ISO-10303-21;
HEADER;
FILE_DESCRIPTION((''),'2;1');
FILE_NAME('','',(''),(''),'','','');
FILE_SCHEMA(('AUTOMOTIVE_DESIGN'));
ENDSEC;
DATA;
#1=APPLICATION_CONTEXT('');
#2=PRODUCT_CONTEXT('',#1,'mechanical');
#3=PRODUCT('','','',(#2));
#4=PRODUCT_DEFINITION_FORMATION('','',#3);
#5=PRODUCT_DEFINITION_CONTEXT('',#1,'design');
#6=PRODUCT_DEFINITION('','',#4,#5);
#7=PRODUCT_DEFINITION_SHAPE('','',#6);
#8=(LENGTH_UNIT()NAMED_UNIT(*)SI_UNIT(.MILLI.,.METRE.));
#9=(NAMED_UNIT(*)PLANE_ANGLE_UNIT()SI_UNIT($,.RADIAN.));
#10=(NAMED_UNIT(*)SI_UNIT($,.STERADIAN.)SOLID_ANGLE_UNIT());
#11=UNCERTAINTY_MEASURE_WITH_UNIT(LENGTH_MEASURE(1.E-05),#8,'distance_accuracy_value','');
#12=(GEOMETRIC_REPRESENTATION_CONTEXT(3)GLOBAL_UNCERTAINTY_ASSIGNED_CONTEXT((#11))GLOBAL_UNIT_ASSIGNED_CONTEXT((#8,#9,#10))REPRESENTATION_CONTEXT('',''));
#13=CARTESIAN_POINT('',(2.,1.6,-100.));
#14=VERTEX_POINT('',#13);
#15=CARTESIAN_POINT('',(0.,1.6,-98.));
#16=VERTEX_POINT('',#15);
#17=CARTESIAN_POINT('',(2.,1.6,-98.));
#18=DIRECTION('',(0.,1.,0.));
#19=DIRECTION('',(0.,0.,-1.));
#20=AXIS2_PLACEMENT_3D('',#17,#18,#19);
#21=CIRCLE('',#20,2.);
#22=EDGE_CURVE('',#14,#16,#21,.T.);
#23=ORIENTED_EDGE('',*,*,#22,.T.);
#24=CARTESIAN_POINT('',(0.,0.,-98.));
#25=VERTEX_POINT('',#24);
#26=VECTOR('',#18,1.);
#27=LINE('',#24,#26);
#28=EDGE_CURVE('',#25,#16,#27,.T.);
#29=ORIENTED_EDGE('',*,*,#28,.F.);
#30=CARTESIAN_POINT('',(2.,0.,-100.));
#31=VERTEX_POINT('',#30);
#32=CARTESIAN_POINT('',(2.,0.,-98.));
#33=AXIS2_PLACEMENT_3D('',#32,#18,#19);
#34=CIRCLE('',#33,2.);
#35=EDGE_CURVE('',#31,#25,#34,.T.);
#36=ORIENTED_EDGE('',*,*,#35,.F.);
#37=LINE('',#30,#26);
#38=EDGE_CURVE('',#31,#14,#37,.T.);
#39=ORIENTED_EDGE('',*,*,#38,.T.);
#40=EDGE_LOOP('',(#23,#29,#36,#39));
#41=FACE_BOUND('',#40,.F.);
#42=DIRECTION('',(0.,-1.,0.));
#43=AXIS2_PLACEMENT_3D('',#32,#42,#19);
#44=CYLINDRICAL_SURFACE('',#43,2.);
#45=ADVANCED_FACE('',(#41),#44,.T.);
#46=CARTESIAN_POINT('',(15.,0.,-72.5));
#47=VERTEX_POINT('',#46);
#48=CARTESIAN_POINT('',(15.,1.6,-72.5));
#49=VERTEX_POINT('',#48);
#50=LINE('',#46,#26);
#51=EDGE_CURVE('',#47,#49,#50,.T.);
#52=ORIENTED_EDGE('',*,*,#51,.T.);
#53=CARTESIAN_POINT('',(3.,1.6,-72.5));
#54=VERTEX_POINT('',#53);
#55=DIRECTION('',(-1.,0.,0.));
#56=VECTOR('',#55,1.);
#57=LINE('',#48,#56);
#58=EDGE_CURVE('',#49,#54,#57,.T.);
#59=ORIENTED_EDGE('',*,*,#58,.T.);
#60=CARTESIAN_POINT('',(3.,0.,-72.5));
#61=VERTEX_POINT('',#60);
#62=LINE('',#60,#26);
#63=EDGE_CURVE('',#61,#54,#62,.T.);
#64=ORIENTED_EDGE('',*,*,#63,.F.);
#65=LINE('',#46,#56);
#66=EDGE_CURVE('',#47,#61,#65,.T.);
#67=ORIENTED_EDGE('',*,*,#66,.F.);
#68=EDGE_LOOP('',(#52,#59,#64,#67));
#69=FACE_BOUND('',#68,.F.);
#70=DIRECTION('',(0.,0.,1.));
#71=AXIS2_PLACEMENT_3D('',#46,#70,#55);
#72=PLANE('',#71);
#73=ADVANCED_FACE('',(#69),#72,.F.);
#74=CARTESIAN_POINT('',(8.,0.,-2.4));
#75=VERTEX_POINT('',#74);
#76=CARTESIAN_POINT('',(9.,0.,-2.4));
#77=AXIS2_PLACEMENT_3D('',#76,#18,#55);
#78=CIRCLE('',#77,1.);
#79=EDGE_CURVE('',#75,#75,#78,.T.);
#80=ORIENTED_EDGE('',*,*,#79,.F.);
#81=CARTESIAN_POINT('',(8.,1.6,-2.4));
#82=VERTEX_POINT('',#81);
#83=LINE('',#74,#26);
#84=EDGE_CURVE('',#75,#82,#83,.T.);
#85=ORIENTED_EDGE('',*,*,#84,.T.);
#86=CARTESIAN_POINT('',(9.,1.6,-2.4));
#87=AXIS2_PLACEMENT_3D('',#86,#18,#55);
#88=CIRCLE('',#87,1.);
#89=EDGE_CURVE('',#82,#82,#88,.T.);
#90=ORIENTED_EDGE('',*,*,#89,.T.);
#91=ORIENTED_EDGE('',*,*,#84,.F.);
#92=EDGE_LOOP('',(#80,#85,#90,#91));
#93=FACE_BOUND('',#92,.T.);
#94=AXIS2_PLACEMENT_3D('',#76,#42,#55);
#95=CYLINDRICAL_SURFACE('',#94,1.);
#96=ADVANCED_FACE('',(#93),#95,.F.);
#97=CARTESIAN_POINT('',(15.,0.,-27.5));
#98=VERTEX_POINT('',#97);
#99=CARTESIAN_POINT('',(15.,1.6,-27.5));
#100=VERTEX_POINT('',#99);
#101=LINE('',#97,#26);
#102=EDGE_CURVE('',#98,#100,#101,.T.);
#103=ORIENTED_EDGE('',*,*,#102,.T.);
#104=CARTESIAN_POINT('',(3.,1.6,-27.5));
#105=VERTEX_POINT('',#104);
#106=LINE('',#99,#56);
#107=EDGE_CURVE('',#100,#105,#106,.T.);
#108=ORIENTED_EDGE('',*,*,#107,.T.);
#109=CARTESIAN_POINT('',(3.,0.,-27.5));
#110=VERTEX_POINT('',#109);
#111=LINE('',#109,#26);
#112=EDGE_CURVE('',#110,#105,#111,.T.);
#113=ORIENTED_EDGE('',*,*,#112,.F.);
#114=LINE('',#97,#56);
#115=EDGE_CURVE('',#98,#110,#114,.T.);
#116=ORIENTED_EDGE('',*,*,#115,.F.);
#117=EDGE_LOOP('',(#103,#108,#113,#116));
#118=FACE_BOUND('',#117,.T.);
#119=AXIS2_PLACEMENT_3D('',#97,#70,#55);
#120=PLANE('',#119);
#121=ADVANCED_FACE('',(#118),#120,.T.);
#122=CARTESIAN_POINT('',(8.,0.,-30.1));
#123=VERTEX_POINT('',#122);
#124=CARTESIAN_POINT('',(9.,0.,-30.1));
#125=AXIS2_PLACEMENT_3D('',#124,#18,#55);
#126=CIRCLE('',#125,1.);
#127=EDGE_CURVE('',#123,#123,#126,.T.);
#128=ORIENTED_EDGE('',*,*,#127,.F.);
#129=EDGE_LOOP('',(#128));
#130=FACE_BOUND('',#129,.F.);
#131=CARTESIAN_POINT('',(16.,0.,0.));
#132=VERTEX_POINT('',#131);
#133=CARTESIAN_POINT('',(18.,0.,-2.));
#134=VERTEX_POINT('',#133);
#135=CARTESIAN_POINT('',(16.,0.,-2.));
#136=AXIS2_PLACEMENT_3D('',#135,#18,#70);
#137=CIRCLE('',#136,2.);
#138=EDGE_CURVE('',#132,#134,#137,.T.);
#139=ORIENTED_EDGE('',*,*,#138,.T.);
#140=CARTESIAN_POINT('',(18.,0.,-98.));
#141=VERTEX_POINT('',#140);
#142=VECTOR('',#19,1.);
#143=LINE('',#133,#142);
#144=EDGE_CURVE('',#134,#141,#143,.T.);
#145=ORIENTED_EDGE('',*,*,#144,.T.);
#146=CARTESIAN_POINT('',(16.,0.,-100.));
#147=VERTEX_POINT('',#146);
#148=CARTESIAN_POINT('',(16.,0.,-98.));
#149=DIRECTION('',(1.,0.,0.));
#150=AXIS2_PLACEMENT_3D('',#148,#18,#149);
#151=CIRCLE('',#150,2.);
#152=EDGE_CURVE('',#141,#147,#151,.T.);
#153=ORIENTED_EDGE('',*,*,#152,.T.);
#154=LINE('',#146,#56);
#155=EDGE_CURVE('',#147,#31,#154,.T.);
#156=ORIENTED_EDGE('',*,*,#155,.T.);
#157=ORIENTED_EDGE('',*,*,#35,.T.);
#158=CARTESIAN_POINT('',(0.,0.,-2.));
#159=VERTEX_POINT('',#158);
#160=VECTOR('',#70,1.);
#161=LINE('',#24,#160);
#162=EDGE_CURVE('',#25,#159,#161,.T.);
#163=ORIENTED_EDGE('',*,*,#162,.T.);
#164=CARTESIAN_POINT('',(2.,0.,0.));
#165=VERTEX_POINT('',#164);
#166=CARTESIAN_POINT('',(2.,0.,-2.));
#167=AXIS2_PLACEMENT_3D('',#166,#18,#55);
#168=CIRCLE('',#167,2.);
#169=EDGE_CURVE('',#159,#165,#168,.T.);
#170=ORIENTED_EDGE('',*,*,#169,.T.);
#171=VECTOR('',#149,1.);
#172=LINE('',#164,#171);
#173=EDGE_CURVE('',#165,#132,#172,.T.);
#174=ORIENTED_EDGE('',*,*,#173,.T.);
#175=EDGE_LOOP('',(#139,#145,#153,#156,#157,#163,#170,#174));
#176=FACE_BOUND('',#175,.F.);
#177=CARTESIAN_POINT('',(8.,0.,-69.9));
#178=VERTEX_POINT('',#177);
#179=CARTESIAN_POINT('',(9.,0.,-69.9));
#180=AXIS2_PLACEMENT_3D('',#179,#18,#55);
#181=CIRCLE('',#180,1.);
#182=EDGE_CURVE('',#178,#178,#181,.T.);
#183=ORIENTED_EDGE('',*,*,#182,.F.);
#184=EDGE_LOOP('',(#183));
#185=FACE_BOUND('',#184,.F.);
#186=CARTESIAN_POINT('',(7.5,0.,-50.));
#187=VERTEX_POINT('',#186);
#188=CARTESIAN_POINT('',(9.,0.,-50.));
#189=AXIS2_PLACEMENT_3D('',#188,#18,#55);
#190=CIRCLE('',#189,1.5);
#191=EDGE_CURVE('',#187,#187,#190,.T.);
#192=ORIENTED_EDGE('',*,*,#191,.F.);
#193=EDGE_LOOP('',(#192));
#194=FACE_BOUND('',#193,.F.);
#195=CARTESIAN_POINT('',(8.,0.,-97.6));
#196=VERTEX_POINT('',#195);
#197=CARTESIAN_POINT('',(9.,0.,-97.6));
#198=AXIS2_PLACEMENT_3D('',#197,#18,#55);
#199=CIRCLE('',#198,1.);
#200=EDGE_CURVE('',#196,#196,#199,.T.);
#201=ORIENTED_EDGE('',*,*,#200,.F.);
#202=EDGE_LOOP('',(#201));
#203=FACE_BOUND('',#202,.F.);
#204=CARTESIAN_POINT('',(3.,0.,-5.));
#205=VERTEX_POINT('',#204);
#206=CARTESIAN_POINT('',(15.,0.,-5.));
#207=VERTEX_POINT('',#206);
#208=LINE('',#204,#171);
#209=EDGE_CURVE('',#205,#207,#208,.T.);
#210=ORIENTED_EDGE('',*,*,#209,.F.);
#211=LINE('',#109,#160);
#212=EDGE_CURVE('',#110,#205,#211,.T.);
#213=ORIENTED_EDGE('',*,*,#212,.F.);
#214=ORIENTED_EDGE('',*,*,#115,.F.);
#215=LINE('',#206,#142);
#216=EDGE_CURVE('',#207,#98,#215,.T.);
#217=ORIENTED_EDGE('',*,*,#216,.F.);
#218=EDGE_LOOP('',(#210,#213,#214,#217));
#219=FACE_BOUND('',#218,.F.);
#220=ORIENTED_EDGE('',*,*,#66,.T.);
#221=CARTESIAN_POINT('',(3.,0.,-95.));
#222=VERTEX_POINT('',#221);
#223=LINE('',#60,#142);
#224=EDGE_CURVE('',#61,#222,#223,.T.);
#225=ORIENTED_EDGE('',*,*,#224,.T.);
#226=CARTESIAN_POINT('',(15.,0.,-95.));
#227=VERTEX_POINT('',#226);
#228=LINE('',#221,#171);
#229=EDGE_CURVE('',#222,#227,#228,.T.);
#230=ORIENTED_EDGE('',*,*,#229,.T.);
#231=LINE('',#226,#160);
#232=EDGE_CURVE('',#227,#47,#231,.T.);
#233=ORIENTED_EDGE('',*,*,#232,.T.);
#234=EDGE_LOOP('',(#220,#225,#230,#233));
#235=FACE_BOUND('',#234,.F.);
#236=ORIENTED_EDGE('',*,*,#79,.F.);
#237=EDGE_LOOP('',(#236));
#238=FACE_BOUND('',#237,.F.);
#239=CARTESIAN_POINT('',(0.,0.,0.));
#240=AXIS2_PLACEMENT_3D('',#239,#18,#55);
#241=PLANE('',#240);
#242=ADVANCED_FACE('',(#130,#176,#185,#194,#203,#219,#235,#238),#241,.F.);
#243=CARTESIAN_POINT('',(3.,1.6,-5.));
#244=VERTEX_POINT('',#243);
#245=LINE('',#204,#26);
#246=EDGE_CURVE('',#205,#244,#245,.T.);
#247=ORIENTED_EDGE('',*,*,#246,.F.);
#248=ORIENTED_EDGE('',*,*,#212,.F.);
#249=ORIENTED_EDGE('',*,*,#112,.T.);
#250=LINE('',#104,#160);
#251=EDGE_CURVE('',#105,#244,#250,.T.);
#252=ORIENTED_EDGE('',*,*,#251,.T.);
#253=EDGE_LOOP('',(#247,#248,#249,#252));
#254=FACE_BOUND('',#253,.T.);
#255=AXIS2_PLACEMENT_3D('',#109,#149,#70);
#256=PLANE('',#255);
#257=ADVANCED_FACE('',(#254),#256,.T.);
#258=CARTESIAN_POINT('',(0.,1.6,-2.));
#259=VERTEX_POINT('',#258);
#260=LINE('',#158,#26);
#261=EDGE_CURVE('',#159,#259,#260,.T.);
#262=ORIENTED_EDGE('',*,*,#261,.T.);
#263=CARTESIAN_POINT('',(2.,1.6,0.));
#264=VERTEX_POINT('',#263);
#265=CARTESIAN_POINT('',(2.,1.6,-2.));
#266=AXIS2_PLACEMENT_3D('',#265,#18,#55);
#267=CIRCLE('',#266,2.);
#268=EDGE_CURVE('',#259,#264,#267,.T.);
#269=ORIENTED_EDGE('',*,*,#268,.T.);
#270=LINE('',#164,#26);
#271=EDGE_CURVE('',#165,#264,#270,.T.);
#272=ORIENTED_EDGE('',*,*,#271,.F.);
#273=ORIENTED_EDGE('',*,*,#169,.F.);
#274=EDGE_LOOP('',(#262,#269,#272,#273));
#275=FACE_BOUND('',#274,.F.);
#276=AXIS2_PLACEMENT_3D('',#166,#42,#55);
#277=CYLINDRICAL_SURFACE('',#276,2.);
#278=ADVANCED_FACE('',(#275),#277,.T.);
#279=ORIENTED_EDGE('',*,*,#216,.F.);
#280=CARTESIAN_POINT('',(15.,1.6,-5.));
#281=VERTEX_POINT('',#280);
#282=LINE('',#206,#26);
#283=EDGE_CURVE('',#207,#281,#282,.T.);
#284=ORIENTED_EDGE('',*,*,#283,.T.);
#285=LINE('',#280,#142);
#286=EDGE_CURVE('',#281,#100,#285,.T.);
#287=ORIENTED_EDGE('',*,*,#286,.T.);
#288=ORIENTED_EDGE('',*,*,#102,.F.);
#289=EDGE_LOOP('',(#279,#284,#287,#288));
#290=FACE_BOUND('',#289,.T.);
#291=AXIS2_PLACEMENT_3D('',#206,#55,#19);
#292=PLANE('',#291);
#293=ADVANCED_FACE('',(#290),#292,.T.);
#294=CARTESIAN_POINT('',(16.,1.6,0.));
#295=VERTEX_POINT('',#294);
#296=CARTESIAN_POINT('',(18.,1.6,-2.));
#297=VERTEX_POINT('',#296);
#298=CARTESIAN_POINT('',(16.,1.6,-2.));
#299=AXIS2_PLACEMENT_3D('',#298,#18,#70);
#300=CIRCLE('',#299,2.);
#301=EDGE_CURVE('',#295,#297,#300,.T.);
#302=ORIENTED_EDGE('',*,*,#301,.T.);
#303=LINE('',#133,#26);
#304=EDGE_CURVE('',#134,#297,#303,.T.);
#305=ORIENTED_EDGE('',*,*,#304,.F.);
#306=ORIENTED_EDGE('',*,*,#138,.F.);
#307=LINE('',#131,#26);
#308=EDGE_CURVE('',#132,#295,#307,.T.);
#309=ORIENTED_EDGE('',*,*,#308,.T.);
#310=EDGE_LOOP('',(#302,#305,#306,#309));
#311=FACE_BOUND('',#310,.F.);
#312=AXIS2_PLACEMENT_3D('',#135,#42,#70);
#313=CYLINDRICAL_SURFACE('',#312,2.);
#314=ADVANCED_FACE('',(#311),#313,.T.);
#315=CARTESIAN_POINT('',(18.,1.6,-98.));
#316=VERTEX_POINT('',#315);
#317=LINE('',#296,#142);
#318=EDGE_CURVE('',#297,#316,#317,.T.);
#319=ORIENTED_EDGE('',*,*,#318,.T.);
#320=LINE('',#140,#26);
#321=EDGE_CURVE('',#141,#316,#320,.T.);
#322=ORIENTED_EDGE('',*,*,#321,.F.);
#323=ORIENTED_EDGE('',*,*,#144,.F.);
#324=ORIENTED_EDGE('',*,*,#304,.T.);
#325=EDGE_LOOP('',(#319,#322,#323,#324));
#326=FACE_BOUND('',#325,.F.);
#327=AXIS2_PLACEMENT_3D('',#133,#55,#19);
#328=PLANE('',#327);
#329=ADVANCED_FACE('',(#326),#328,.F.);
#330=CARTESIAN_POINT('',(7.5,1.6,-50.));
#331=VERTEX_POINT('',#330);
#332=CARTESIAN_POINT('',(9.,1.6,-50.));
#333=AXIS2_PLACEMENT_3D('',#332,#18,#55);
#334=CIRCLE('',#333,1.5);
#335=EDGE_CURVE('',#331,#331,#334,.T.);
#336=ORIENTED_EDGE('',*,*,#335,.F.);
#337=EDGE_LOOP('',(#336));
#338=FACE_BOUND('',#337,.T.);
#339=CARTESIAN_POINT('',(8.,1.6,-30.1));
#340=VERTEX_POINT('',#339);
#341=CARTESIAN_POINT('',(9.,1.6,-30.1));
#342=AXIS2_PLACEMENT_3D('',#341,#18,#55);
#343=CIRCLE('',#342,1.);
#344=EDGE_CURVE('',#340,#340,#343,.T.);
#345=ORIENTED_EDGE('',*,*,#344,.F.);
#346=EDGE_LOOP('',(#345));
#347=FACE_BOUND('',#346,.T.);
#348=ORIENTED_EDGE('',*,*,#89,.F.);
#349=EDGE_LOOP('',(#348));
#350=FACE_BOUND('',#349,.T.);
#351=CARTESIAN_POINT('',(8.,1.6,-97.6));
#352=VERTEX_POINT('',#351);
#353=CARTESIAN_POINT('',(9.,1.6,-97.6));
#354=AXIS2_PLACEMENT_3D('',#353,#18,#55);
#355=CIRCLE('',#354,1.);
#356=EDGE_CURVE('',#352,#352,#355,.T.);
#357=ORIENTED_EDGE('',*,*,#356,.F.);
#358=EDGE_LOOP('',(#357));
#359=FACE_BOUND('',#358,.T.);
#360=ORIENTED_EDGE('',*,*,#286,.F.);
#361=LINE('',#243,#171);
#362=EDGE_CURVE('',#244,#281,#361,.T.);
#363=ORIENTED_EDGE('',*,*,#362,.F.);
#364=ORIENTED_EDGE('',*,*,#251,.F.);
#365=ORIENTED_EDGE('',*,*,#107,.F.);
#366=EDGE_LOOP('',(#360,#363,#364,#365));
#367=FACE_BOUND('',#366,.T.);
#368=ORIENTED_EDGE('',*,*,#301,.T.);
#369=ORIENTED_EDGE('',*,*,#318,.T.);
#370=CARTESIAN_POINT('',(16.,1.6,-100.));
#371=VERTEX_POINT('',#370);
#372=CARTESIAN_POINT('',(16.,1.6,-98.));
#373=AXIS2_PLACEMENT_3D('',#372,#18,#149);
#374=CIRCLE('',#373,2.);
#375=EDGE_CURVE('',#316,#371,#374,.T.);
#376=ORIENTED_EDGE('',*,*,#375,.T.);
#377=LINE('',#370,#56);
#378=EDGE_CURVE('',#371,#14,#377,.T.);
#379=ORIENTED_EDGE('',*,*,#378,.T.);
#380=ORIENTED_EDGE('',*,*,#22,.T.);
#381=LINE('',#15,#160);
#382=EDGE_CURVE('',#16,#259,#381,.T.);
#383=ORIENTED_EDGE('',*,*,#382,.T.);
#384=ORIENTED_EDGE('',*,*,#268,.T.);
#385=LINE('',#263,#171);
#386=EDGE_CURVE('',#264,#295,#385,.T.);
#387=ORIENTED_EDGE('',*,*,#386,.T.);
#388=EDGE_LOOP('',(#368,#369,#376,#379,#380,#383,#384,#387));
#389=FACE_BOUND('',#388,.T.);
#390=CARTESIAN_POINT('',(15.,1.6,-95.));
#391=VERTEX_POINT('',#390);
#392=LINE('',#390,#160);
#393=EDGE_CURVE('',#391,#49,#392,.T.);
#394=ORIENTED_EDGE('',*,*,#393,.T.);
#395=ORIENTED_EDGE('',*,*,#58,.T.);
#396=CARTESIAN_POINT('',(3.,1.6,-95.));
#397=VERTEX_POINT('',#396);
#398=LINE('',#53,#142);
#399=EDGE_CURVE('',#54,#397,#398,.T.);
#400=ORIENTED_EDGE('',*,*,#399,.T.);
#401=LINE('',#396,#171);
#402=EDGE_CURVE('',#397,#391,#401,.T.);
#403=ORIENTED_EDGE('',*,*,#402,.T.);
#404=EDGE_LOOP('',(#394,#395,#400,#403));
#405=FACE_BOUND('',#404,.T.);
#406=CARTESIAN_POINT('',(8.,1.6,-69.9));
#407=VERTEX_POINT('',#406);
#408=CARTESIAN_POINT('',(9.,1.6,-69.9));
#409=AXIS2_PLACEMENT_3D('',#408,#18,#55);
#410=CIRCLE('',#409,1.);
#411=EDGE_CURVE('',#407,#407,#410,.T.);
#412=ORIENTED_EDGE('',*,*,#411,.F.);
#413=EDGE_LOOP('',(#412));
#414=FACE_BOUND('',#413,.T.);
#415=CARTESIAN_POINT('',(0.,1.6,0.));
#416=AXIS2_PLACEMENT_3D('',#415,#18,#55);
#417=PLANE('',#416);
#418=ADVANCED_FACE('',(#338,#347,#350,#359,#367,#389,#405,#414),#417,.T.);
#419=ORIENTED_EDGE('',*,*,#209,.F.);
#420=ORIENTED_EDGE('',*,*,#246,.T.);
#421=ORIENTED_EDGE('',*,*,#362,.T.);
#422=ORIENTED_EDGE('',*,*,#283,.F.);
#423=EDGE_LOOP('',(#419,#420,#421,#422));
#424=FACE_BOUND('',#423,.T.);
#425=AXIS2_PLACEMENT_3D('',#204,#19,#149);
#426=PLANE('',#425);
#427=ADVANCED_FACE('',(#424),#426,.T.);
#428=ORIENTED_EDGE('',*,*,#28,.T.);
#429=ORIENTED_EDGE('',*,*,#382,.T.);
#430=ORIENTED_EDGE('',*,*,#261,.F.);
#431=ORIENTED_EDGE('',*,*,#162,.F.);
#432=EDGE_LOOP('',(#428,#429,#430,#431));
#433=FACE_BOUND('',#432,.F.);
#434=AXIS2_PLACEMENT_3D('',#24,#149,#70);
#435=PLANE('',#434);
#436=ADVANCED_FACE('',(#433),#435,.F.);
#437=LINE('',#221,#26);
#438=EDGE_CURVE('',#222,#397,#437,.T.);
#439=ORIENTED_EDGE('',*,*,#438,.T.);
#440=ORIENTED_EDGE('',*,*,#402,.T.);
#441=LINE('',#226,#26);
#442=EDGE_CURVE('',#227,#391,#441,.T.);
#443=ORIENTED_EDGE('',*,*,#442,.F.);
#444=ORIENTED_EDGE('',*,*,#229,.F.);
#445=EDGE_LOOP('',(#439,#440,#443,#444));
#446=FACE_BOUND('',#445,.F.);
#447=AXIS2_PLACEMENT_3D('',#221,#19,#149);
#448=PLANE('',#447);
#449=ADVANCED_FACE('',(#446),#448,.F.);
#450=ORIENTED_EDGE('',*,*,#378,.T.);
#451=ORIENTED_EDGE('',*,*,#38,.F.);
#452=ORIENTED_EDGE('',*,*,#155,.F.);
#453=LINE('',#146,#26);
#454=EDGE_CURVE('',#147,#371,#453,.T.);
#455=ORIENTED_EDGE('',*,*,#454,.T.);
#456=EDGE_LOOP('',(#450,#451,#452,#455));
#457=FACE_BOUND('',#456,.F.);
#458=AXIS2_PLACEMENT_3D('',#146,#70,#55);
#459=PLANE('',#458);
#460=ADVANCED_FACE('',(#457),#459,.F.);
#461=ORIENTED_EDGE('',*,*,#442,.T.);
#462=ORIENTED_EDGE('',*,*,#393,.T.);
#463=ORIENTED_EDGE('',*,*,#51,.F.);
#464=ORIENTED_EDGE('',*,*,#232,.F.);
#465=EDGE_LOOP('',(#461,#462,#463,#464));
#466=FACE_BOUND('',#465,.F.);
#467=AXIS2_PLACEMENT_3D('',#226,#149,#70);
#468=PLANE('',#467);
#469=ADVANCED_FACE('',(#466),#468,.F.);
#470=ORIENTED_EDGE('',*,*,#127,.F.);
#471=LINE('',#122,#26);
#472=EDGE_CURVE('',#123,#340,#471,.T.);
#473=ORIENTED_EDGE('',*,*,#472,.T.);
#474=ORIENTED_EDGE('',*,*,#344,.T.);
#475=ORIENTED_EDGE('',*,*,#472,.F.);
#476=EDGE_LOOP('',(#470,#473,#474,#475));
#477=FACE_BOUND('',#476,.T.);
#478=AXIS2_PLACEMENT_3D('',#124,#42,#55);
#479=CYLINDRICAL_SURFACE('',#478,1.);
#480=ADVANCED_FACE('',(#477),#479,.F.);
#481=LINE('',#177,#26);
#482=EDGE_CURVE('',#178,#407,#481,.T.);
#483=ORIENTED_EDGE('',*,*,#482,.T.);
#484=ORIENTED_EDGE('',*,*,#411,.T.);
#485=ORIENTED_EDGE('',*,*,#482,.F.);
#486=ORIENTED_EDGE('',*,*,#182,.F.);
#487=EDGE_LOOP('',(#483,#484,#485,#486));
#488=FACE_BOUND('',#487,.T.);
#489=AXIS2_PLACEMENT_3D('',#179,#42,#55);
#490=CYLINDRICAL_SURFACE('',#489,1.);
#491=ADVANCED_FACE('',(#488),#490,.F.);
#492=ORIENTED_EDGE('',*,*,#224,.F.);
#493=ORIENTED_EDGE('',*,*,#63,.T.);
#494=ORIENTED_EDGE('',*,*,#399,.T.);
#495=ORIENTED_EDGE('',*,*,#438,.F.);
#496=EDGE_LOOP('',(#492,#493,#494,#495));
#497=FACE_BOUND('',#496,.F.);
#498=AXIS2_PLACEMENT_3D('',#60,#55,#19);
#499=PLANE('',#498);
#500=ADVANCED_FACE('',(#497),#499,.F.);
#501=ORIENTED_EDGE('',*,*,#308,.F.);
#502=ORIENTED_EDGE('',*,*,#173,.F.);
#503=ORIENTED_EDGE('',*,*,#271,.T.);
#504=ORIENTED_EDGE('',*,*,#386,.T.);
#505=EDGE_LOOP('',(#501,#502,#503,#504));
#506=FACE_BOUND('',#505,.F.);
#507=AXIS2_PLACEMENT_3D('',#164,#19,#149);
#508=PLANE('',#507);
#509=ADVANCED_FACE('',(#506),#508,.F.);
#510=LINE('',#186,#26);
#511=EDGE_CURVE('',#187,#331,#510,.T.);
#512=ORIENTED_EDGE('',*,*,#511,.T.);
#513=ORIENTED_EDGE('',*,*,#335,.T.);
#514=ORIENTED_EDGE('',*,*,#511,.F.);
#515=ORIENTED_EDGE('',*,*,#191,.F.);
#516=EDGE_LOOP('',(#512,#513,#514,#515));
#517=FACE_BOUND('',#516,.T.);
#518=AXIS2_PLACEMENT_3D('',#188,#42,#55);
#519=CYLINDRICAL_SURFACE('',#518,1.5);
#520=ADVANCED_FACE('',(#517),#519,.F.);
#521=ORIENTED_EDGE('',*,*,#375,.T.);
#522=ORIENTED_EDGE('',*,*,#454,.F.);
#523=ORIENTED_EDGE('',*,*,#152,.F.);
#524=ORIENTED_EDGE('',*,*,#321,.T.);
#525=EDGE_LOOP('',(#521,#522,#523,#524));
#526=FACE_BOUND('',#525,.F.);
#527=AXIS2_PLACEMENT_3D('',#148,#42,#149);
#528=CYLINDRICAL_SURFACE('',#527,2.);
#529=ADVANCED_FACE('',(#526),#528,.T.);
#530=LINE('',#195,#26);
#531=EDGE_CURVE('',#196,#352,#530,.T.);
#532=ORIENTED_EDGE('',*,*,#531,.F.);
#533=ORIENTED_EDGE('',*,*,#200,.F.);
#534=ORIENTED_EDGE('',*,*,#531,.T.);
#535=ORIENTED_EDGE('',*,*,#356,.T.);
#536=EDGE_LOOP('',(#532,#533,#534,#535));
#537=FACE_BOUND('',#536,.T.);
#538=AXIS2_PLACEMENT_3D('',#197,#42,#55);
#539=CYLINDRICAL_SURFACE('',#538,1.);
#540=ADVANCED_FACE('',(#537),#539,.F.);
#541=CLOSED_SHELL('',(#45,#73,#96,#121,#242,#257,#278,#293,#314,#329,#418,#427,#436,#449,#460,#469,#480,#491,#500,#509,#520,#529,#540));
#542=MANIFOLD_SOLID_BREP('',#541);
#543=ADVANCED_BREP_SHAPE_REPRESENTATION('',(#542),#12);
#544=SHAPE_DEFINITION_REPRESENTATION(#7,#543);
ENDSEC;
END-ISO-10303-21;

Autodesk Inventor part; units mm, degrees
ref_plane "YZ Plane" through (0, 0, 0) normal (1, 0, 0) x (0, 1, 0)
ref_plane "XZ Plane" through (0, 0, 0) normal (0, 1, 0) x (-1, 0, 0)
ref_plane "XY Plane" through (0, 0, 0) normal (0, 0, 1) x (1, 0, 0)
sketch "Szkic1" plane through (0, 0, 0) normal (0, 1, 0) x (-1, 0, 0)
  line L0 (-2, 0) -> (-16, 0)
  line L1 (-18, -2) -> (-18, -98)
  line L2 (-16, -100) -> (-2, -100)
  line L3 (0, -98) -> (0, -2)
  line L4 (-3, -5) -> (-15, -5)
  line L5 (-15, -5) -> (-15, -27.5)
  line L6 (-15, -27.5) -> (-3, -27.5)
  line L7 (-3, -27.5) -> (-3, -5)
  circle A0 centre (-9, -2.4) radius 1
  circle A1 centre (-9, -30.1) radius 1
  circle A2 centre (-9, -50) radius 1.5
  line L8 (-3, -95) -> (-15, -95)
  line L9 (-15, -95) -> (-15, -72.5)
  line L10 (-15, -72.5) -> (-3, -72.5)
  line L11 (-3, -72.5) -> (-3, -95)
  circle A3 centre (-9, -97.6) radius 1
  circle A4 centre (-9, -69.9) radius 1
  arc A5 (0, -2) -> (-2, 0) centre (-2, -2) ccw
  arc A6 (-16, 0) -> (-18, -2) centre (-16, -2) ccw
  arc A7 (-18, -98) -> (-16, -100) centre (-16, -98) ccw
  arc A8 (-2, -100) -> (0, -98) centre (-2, -98) ccw
  point P0 (0, 0)
  point P1 (-18, -100)
  point P2 (-18, 0)
  point P3 (0, -100)
  dimension "d0" = 18
  dimension "d1" = 100
  dimension "d2" = 12
  dimension "d3" = 22.5
  dimension "d4" = 2
  dimension "d5" = 2.6
  dimension "d6" = 6
  dimension "d7" = 5
  dimension "d8" = 2
  dimension "d9" = 2.6
  dimension "d10" = 6
  dimension "d11" = 3
  dimension "d12" = 2
extrude "Wyciągnięcie proste1" add sketch "Szkic1" along normal blind 1.6
equation "\"d6\" = 0.5 * d2"
equation "\"d10\" = 0.5 * d2"
properties part number "ramie2"
